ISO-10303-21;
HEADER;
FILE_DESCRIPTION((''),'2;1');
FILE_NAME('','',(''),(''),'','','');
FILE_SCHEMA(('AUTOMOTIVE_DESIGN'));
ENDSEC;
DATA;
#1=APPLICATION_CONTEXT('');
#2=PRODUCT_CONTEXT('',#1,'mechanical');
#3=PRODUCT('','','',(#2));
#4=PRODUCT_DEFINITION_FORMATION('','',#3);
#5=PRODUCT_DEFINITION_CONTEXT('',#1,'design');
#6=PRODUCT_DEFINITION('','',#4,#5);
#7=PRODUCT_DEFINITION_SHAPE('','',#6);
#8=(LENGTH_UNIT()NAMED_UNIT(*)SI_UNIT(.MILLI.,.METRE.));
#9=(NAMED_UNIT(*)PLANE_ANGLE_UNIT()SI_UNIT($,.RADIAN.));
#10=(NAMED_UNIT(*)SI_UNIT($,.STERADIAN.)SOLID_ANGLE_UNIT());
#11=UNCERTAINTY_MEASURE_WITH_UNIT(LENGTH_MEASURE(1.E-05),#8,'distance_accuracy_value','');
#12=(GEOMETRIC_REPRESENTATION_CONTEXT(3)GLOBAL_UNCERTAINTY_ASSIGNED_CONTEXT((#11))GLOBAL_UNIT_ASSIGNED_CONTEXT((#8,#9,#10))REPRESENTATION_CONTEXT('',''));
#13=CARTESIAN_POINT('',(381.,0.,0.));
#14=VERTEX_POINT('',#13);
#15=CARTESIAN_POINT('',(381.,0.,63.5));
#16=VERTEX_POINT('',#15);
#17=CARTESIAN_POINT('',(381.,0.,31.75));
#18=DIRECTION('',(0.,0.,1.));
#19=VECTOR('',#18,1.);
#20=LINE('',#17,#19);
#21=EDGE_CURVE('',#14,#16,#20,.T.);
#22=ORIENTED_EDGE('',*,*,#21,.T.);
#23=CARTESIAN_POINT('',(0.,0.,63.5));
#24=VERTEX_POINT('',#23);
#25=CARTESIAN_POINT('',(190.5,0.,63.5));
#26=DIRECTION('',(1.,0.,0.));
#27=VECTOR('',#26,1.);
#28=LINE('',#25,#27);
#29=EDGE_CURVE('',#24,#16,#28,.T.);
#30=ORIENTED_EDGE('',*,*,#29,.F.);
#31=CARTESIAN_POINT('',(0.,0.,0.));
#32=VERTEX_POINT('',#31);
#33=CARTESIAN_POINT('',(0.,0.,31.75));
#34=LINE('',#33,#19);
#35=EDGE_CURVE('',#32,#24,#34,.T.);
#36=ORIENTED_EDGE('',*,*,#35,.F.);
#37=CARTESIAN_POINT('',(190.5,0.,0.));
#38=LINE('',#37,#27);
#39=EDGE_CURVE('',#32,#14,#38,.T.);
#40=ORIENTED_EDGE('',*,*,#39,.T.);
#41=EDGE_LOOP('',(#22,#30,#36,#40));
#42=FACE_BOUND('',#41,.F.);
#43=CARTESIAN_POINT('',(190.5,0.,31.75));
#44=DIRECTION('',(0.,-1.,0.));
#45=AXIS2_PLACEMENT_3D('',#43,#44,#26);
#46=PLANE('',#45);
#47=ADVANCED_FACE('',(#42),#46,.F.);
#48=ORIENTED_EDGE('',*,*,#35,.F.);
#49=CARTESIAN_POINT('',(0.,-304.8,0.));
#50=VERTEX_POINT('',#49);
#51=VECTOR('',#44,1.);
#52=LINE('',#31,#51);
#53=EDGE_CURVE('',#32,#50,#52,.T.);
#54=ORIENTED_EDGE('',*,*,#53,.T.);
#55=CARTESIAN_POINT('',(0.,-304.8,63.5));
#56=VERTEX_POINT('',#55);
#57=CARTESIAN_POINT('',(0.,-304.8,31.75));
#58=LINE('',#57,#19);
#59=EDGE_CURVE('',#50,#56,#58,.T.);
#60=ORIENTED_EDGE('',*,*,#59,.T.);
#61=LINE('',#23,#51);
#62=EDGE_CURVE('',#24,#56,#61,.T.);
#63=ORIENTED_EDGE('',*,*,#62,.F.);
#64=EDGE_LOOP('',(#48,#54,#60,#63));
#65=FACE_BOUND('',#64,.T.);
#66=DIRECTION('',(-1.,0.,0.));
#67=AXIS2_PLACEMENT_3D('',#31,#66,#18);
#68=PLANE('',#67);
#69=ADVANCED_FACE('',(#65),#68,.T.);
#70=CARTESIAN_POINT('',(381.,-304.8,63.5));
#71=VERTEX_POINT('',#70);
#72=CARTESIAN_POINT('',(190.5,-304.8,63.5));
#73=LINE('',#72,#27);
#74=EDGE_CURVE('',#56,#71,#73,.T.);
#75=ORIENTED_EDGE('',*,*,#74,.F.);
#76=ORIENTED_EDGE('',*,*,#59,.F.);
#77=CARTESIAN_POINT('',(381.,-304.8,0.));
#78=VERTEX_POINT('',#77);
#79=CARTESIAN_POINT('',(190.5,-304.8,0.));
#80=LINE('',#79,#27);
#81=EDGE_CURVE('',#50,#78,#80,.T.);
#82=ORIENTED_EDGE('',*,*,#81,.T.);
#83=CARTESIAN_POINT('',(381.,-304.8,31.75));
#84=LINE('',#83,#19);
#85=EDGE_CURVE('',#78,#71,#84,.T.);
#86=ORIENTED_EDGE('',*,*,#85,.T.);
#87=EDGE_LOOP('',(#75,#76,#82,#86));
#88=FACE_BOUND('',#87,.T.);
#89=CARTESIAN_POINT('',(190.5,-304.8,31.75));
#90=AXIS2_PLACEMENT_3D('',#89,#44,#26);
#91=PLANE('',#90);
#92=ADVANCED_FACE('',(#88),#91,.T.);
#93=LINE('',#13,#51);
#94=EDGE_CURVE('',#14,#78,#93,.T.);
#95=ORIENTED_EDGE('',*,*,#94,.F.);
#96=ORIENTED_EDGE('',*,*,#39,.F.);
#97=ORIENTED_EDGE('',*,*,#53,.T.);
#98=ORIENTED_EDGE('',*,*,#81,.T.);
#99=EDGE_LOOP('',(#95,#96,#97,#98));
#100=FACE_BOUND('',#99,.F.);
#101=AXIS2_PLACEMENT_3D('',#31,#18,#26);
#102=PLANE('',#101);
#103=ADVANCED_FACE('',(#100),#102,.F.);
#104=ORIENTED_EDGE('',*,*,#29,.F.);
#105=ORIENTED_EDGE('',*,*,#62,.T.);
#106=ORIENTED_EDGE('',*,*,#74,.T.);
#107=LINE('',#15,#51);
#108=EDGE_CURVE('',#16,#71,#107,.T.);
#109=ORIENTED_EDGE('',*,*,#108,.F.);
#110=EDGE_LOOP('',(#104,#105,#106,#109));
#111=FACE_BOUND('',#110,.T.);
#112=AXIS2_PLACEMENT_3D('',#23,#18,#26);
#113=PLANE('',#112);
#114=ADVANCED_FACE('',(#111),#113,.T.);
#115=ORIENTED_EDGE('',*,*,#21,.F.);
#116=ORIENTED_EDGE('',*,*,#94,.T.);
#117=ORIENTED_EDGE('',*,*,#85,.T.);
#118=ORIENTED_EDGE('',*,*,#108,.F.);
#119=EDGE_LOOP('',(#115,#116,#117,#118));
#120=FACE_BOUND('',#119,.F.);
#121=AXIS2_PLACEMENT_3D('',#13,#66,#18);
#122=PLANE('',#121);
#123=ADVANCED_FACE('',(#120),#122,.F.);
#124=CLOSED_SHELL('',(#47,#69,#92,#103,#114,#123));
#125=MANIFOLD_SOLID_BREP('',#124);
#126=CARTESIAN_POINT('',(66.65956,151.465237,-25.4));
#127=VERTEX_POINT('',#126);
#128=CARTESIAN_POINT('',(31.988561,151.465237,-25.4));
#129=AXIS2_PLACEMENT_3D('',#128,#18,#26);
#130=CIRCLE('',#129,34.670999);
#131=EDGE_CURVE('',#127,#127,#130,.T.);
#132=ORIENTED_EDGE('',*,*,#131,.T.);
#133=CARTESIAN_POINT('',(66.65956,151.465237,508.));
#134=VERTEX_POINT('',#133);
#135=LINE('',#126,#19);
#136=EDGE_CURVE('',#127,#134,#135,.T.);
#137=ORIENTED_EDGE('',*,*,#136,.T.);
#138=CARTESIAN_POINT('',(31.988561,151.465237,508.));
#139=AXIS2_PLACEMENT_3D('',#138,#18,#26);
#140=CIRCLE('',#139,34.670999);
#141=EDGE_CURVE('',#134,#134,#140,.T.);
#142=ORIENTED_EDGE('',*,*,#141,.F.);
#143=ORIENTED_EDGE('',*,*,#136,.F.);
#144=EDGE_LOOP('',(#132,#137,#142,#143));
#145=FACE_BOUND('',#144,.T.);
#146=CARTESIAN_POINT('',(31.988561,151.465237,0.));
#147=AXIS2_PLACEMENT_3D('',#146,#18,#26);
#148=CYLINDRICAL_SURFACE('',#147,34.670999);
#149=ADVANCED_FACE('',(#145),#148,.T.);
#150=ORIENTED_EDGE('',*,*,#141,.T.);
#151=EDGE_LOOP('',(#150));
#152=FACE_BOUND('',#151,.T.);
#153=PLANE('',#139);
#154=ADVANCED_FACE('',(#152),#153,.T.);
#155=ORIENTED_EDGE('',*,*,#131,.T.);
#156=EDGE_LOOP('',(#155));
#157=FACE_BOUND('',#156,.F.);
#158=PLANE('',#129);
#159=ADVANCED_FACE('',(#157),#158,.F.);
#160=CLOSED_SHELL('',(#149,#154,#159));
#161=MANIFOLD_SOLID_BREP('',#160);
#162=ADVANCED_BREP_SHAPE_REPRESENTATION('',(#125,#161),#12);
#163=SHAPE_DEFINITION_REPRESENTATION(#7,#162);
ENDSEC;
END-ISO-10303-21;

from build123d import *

# Parameters (mm, degrees)
F0_W          = 381
F0_H          = 63.5
F1_DEPTH      = 304.8
F2_R          = 34.670999
F3_DEPTH      = 508
F3_DEPTH_BACK = 25.4


with BuildPart() as f1:
    # F0 (on Front) → F1 (new body)
    with BuildSketch(Plane.XZ):
        with Locations((190.5, 31.75)):
            Rectangle(F0_W, F0_H)
    extrude(amount=F1_DEPTH)


with BuildPart() as f3:
    # F2 (on Top) → F3 (new body, two sides)
    with BuildSketch(Plane.XY) as f3_sk:
        with Locations((31.988561, 151.465237)):
            Circle(F2_R)
    extrude(amount=F3_DEPTH)
    extrude(f3_sk.sketch, amount=-F3_DEPTH_BACK)


solid = Compound([f1.part, f3.part])
